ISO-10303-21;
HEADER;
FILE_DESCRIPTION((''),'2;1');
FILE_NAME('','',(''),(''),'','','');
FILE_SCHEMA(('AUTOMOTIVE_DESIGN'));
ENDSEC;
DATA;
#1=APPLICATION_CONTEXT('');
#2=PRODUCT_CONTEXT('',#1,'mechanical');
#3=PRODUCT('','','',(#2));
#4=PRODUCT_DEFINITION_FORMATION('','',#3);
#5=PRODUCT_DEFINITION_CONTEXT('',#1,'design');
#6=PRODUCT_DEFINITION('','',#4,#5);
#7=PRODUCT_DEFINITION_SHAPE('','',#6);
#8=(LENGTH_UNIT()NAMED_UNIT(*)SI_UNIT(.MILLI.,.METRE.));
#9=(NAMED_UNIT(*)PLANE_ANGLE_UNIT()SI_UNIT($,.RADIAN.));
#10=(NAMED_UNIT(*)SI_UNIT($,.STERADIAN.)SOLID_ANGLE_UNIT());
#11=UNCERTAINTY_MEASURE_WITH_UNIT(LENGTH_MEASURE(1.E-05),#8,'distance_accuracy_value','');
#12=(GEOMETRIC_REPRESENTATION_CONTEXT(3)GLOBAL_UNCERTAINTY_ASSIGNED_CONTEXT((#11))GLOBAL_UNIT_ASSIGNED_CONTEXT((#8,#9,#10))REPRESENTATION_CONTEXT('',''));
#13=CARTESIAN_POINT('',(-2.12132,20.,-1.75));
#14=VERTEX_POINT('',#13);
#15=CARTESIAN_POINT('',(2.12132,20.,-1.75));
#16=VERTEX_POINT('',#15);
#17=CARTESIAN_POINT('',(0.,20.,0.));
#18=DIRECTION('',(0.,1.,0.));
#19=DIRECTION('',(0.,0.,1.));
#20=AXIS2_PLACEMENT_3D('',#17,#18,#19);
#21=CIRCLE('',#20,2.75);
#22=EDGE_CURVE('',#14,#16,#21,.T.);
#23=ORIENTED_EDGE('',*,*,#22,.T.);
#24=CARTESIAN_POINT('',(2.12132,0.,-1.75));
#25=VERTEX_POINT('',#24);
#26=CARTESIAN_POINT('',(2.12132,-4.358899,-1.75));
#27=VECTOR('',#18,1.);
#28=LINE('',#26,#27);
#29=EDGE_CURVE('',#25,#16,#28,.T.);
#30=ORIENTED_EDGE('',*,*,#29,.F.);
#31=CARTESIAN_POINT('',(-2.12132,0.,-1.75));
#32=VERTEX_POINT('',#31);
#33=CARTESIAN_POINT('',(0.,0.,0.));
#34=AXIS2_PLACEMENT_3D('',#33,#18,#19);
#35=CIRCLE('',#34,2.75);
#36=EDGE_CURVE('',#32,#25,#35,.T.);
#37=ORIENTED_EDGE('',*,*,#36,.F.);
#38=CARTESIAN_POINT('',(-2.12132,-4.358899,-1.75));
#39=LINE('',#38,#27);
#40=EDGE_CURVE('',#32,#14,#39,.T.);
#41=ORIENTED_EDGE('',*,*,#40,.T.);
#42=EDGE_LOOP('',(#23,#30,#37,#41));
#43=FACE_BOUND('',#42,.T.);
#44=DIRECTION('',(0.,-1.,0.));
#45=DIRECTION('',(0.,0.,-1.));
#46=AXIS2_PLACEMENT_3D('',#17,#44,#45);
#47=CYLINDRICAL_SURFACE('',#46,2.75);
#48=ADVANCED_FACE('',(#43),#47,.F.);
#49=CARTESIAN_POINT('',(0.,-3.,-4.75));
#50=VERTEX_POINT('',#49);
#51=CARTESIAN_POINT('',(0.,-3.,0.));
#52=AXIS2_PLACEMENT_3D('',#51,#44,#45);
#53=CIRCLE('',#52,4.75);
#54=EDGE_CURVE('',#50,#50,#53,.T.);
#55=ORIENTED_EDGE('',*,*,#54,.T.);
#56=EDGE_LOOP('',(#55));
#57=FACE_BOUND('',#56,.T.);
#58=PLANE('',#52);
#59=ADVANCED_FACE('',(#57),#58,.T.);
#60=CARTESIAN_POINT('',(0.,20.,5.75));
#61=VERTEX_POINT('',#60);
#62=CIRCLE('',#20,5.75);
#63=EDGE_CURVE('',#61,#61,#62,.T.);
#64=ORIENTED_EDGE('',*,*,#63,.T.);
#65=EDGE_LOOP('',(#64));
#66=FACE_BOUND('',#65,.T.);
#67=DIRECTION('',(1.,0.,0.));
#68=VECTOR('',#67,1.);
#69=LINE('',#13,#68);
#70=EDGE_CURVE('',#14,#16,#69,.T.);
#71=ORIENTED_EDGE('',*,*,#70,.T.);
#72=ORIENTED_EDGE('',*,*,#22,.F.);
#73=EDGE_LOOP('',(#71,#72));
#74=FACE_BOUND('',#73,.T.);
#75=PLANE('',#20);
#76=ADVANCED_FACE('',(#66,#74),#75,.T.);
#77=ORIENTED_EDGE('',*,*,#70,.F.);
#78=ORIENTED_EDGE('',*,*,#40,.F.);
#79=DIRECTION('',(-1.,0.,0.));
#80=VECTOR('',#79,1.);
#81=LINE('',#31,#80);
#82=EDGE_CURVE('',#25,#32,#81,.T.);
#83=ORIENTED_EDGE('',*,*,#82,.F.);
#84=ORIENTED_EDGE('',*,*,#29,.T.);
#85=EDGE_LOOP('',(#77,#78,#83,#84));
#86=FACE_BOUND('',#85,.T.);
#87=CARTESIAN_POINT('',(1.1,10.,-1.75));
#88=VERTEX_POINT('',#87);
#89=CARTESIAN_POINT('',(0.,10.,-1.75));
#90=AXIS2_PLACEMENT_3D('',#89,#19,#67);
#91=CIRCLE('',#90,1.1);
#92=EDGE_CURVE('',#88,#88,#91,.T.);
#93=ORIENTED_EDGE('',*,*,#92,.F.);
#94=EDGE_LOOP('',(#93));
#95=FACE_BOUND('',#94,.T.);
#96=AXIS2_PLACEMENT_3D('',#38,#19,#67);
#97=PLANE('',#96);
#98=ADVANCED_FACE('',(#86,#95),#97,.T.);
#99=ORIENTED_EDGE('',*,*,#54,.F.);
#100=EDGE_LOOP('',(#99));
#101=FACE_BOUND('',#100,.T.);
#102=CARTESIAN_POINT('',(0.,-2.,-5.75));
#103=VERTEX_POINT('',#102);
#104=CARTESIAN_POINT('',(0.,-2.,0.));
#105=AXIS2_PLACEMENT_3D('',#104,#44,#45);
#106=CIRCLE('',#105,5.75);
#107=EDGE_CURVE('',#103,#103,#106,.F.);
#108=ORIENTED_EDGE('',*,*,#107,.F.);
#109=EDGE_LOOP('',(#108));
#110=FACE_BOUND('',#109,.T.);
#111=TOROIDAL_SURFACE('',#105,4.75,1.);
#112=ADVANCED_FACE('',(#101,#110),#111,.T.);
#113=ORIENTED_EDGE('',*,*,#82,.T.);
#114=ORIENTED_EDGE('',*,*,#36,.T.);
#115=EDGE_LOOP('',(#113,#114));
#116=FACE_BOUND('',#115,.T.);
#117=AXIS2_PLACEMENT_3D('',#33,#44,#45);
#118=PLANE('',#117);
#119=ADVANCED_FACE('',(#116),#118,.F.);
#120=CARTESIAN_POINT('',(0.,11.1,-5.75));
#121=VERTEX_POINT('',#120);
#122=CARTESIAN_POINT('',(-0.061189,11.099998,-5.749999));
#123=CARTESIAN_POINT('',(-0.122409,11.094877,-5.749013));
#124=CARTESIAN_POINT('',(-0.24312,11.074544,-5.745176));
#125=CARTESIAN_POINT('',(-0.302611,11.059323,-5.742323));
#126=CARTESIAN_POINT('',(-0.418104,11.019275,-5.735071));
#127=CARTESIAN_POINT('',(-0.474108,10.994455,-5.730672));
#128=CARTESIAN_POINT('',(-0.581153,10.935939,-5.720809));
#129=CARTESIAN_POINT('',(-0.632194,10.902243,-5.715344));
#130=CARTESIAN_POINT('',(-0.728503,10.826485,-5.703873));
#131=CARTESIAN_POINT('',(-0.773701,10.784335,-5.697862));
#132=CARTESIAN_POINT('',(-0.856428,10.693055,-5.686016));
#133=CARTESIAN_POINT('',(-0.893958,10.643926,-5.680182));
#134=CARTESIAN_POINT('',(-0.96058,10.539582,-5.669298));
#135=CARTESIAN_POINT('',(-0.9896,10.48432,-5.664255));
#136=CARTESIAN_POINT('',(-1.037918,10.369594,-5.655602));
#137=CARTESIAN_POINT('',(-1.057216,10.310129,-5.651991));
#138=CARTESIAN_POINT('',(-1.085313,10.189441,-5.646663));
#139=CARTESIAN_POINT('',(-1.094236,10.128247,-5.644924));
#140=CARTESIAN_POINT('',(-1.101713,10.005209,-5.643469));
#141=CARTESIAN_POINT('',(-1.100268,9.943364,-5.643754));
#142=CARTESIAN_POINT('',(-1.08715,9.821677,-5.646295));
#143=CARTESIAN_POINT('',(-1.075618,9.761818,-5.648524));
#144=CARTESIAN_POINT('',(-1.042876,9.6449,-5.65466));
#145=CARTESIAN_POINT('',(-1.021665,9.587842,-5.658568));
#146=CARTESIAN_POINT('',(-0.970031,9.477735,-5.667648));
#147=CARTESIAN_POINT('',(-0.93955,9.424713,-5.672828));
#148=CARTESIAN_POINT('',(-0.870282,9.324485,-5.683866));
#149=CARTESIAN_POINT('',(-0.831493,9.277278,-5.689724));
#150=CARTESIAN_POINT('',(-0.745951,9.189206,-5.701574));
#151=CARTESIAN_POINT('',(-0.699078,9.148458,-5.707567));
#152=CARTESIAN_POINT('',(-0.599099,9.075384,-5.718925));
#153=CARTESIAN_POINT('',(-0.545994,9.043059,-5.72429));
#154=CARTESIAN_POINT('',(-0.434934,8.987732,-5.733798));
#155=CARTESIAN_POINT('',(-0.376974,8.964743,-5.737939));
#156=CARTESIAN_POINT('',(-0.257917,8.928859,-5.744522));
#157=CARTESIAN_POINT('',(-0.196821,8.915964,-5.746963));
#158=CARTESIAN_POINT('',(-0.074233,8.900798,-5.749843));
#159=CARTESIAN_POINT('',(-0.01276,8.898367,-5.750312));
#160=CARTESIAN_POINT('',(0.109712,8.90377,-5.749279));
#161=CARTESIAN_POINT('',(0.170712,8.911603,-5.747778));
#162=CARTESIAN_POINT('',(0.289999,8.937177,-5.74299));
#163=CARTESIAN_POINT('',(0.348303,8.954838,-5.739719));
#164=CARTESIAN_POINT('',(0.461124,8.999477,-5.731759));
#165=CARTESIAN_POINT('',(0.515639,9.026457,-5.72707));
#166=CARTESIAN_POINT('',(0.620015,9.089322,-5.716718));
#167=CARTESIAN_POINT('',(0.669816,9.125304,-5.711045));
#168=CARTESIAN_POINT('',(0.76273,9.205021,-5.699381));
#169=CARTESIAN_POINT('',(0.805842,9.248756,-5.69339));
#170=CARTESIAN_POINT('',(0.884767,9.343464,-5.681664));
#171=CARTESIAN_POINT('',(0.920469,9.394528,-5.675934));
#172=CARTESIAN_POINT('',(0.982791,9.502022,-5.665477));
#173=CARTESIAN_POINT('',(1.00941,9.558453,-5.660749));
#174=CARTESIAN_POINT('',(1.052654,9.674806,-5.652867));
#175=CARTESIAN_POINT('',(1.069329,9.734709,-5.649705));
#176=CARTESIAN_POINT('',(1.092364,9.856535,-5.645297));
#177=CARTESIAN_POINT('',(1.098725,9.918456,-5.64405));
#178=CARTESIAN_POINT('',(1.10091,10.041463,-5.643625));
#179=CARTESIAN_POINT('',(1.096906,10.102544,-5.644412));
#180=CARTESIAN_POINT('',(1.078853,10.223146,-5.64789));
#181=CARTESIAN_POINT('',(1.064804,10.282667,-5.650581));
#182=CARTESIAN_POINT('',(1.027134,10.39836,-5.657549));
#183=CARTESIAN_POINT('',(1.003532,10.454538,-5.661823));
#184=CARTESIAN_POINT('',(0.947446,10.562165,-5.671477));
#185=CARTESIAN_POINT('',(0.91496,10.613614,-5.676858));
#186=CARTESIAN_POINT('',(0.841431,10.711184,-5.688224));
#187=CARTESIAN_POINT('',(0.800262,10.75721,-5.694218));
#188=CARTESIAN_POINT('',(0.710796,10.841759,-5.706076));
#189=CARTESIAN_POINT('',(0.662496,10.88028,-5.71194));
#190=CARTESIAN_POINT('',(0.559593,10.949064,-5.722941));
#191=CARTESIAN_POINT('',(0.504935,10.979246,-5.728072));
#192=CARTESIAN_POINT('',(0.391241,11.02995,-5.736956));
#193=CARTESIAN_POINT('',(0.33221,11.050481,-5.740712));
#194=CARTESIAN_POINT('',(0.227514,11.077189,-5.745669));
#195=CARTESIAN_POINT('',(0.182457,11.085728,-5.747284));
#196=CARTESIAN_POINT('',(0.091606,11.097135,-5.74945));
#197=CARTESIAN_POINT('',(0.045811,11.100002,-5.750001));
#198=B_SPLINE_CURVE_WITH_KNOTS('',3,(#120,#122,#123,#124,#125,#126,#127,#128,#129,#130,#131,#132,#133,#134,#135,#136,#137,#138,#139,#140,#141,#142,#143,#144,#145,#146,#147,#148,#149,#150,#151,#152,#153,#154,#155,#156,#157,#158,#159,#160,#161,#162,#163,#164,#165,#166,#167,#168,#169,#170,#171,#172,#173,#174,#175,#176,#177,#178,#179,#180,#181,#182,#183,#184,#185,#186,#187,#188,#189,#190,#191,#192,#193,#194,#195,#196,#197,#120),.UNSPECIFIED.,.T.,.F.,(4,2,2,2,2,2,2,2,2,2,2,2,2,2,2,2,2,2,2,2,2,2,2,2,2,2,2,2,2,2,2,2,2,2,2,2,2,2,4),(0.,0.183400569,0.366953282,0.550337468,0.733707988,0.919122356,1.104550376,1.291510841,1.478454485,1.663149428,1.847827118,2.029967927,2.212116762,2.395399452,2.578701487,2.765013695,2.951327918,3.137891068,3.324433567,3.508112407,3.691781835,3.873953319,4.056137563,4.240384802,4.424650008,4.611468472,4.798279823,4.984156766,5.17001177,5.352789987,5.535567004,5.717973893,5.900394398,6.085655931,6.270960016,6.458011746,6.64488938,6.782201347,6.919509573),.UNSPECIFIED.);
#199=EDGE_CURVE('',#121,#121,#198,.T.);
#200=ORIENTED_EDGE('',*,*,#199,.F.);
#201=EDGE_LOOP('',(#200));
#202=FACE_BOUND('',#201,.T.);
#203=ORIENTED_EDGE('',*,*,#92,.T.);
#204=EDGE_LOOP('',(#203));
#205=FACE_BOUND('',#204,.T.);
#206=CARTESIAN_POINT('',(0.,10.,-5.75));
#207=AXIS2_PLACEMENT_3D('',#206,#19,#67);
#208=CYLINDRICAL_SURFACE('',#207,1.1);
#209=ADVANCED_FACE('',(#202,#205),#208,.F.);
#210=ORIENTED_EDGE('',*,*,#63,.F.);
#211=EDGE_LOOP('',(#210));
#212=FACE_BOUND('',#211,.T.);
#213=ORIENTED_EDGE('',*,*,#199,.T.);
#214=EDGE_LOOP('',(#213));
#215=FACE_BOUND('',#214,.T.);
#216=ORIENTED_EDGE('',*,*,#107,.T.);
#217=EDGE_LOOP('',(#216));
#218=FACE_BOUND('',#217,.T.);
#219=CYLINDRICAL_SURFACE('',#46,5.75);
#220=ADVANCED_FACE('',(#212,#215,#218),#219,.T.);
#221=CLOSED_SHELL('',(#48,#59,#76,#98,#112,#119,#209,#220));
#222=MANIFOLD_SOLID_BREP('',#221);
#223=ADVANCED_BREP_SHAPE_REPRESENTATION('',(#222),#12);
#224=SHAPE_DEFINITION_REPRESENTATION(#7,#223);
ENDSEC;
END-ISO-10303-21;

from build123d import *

# Parameters (mm, degrees)
SKETCH1_R           = 5.75
SKETCH1_R_2         = 2.75
BOSS_EXTRUDE1_DEPTH = 20
BOSS_EXTRUDE3_START = -20
BOSS_EXTRUDE3_DEPTH = 20
SKETCH2_R           = 1.1
CUT_EXTRUDE1_DEPTH  = 22.589928207
BOSS_EXTRUDE2_START = 3
SKETCH3_R           = 5.75
BOSS_EXTRUDE2_DEPTH = 3
FILLET1_R           = 1


with BuildPart() as part:
    # Sketch1 → Boss-Extrude1 (new body)
    with BuildSketch(Plane(origin=(0, 0, 0), x_dir=(1, 0, 0), z_dir=(0, 1, 0))):
        with Locations(Location((0, 0, 0), (0, 0, 270))):
            Circle(SKETCH1_R)
        with Locations(Location((0, 0, 0), (0, 0, 270))):
            Circle(SKETCH1_R_2, mode=Mode.SUBTRACT)
    extrude(amount=BOSS_EXTRUDE1_DEPTH)

    # Sketch5 → Boss-Extrude3 (add)
    with BuildSketch(Plane(origin=(0, 20, 0), x_dir=(1, 0, 0), z_dir=(0, 1, 0)).offset(BOSS_EXTRUDE3_START)):
        with BuildLine():
            Line((-2.121320344, 1.75), (2.121320344, 1.75))
            ThreePointArc((2.121320344, 1.75), (0, 2.75), (-2.121320344, 1.75))
        make_face()
    extrude(amount=BOSS_EXTRUDE3_DEPTH)

    # Sketch2 → Cut-Extrude1 (cut, through all)
    with BuildSketch(Plane.XY):
        with Locations((0, 10)):
            Circle(SKETCH2_R)
    extrude(amount=-CUT_EXTRUDE1_DEPTH, mode=Mode.SUBTRACT)

    # Sketch3 → Boss-Extrude2 (add)
    with BuildSketch(Plane.XZ.offset(BOSS_EXTRUDE2_START)):
        with Locations(Location((0, 0, 0), (0, 0, 270))):
            Circle(SKETCH3_R)
    extrude(amount=-BOSS_EXTRUDE2_DEPTH)

    # Fillet1
    fillet1_edges = [part.edges().sort_by_distance(p)[0] for p in [
        (0, -3, 5.75),
    ]]
    fillet(fillet1_edges, radius=FILLET1_R)


solid = part.part
